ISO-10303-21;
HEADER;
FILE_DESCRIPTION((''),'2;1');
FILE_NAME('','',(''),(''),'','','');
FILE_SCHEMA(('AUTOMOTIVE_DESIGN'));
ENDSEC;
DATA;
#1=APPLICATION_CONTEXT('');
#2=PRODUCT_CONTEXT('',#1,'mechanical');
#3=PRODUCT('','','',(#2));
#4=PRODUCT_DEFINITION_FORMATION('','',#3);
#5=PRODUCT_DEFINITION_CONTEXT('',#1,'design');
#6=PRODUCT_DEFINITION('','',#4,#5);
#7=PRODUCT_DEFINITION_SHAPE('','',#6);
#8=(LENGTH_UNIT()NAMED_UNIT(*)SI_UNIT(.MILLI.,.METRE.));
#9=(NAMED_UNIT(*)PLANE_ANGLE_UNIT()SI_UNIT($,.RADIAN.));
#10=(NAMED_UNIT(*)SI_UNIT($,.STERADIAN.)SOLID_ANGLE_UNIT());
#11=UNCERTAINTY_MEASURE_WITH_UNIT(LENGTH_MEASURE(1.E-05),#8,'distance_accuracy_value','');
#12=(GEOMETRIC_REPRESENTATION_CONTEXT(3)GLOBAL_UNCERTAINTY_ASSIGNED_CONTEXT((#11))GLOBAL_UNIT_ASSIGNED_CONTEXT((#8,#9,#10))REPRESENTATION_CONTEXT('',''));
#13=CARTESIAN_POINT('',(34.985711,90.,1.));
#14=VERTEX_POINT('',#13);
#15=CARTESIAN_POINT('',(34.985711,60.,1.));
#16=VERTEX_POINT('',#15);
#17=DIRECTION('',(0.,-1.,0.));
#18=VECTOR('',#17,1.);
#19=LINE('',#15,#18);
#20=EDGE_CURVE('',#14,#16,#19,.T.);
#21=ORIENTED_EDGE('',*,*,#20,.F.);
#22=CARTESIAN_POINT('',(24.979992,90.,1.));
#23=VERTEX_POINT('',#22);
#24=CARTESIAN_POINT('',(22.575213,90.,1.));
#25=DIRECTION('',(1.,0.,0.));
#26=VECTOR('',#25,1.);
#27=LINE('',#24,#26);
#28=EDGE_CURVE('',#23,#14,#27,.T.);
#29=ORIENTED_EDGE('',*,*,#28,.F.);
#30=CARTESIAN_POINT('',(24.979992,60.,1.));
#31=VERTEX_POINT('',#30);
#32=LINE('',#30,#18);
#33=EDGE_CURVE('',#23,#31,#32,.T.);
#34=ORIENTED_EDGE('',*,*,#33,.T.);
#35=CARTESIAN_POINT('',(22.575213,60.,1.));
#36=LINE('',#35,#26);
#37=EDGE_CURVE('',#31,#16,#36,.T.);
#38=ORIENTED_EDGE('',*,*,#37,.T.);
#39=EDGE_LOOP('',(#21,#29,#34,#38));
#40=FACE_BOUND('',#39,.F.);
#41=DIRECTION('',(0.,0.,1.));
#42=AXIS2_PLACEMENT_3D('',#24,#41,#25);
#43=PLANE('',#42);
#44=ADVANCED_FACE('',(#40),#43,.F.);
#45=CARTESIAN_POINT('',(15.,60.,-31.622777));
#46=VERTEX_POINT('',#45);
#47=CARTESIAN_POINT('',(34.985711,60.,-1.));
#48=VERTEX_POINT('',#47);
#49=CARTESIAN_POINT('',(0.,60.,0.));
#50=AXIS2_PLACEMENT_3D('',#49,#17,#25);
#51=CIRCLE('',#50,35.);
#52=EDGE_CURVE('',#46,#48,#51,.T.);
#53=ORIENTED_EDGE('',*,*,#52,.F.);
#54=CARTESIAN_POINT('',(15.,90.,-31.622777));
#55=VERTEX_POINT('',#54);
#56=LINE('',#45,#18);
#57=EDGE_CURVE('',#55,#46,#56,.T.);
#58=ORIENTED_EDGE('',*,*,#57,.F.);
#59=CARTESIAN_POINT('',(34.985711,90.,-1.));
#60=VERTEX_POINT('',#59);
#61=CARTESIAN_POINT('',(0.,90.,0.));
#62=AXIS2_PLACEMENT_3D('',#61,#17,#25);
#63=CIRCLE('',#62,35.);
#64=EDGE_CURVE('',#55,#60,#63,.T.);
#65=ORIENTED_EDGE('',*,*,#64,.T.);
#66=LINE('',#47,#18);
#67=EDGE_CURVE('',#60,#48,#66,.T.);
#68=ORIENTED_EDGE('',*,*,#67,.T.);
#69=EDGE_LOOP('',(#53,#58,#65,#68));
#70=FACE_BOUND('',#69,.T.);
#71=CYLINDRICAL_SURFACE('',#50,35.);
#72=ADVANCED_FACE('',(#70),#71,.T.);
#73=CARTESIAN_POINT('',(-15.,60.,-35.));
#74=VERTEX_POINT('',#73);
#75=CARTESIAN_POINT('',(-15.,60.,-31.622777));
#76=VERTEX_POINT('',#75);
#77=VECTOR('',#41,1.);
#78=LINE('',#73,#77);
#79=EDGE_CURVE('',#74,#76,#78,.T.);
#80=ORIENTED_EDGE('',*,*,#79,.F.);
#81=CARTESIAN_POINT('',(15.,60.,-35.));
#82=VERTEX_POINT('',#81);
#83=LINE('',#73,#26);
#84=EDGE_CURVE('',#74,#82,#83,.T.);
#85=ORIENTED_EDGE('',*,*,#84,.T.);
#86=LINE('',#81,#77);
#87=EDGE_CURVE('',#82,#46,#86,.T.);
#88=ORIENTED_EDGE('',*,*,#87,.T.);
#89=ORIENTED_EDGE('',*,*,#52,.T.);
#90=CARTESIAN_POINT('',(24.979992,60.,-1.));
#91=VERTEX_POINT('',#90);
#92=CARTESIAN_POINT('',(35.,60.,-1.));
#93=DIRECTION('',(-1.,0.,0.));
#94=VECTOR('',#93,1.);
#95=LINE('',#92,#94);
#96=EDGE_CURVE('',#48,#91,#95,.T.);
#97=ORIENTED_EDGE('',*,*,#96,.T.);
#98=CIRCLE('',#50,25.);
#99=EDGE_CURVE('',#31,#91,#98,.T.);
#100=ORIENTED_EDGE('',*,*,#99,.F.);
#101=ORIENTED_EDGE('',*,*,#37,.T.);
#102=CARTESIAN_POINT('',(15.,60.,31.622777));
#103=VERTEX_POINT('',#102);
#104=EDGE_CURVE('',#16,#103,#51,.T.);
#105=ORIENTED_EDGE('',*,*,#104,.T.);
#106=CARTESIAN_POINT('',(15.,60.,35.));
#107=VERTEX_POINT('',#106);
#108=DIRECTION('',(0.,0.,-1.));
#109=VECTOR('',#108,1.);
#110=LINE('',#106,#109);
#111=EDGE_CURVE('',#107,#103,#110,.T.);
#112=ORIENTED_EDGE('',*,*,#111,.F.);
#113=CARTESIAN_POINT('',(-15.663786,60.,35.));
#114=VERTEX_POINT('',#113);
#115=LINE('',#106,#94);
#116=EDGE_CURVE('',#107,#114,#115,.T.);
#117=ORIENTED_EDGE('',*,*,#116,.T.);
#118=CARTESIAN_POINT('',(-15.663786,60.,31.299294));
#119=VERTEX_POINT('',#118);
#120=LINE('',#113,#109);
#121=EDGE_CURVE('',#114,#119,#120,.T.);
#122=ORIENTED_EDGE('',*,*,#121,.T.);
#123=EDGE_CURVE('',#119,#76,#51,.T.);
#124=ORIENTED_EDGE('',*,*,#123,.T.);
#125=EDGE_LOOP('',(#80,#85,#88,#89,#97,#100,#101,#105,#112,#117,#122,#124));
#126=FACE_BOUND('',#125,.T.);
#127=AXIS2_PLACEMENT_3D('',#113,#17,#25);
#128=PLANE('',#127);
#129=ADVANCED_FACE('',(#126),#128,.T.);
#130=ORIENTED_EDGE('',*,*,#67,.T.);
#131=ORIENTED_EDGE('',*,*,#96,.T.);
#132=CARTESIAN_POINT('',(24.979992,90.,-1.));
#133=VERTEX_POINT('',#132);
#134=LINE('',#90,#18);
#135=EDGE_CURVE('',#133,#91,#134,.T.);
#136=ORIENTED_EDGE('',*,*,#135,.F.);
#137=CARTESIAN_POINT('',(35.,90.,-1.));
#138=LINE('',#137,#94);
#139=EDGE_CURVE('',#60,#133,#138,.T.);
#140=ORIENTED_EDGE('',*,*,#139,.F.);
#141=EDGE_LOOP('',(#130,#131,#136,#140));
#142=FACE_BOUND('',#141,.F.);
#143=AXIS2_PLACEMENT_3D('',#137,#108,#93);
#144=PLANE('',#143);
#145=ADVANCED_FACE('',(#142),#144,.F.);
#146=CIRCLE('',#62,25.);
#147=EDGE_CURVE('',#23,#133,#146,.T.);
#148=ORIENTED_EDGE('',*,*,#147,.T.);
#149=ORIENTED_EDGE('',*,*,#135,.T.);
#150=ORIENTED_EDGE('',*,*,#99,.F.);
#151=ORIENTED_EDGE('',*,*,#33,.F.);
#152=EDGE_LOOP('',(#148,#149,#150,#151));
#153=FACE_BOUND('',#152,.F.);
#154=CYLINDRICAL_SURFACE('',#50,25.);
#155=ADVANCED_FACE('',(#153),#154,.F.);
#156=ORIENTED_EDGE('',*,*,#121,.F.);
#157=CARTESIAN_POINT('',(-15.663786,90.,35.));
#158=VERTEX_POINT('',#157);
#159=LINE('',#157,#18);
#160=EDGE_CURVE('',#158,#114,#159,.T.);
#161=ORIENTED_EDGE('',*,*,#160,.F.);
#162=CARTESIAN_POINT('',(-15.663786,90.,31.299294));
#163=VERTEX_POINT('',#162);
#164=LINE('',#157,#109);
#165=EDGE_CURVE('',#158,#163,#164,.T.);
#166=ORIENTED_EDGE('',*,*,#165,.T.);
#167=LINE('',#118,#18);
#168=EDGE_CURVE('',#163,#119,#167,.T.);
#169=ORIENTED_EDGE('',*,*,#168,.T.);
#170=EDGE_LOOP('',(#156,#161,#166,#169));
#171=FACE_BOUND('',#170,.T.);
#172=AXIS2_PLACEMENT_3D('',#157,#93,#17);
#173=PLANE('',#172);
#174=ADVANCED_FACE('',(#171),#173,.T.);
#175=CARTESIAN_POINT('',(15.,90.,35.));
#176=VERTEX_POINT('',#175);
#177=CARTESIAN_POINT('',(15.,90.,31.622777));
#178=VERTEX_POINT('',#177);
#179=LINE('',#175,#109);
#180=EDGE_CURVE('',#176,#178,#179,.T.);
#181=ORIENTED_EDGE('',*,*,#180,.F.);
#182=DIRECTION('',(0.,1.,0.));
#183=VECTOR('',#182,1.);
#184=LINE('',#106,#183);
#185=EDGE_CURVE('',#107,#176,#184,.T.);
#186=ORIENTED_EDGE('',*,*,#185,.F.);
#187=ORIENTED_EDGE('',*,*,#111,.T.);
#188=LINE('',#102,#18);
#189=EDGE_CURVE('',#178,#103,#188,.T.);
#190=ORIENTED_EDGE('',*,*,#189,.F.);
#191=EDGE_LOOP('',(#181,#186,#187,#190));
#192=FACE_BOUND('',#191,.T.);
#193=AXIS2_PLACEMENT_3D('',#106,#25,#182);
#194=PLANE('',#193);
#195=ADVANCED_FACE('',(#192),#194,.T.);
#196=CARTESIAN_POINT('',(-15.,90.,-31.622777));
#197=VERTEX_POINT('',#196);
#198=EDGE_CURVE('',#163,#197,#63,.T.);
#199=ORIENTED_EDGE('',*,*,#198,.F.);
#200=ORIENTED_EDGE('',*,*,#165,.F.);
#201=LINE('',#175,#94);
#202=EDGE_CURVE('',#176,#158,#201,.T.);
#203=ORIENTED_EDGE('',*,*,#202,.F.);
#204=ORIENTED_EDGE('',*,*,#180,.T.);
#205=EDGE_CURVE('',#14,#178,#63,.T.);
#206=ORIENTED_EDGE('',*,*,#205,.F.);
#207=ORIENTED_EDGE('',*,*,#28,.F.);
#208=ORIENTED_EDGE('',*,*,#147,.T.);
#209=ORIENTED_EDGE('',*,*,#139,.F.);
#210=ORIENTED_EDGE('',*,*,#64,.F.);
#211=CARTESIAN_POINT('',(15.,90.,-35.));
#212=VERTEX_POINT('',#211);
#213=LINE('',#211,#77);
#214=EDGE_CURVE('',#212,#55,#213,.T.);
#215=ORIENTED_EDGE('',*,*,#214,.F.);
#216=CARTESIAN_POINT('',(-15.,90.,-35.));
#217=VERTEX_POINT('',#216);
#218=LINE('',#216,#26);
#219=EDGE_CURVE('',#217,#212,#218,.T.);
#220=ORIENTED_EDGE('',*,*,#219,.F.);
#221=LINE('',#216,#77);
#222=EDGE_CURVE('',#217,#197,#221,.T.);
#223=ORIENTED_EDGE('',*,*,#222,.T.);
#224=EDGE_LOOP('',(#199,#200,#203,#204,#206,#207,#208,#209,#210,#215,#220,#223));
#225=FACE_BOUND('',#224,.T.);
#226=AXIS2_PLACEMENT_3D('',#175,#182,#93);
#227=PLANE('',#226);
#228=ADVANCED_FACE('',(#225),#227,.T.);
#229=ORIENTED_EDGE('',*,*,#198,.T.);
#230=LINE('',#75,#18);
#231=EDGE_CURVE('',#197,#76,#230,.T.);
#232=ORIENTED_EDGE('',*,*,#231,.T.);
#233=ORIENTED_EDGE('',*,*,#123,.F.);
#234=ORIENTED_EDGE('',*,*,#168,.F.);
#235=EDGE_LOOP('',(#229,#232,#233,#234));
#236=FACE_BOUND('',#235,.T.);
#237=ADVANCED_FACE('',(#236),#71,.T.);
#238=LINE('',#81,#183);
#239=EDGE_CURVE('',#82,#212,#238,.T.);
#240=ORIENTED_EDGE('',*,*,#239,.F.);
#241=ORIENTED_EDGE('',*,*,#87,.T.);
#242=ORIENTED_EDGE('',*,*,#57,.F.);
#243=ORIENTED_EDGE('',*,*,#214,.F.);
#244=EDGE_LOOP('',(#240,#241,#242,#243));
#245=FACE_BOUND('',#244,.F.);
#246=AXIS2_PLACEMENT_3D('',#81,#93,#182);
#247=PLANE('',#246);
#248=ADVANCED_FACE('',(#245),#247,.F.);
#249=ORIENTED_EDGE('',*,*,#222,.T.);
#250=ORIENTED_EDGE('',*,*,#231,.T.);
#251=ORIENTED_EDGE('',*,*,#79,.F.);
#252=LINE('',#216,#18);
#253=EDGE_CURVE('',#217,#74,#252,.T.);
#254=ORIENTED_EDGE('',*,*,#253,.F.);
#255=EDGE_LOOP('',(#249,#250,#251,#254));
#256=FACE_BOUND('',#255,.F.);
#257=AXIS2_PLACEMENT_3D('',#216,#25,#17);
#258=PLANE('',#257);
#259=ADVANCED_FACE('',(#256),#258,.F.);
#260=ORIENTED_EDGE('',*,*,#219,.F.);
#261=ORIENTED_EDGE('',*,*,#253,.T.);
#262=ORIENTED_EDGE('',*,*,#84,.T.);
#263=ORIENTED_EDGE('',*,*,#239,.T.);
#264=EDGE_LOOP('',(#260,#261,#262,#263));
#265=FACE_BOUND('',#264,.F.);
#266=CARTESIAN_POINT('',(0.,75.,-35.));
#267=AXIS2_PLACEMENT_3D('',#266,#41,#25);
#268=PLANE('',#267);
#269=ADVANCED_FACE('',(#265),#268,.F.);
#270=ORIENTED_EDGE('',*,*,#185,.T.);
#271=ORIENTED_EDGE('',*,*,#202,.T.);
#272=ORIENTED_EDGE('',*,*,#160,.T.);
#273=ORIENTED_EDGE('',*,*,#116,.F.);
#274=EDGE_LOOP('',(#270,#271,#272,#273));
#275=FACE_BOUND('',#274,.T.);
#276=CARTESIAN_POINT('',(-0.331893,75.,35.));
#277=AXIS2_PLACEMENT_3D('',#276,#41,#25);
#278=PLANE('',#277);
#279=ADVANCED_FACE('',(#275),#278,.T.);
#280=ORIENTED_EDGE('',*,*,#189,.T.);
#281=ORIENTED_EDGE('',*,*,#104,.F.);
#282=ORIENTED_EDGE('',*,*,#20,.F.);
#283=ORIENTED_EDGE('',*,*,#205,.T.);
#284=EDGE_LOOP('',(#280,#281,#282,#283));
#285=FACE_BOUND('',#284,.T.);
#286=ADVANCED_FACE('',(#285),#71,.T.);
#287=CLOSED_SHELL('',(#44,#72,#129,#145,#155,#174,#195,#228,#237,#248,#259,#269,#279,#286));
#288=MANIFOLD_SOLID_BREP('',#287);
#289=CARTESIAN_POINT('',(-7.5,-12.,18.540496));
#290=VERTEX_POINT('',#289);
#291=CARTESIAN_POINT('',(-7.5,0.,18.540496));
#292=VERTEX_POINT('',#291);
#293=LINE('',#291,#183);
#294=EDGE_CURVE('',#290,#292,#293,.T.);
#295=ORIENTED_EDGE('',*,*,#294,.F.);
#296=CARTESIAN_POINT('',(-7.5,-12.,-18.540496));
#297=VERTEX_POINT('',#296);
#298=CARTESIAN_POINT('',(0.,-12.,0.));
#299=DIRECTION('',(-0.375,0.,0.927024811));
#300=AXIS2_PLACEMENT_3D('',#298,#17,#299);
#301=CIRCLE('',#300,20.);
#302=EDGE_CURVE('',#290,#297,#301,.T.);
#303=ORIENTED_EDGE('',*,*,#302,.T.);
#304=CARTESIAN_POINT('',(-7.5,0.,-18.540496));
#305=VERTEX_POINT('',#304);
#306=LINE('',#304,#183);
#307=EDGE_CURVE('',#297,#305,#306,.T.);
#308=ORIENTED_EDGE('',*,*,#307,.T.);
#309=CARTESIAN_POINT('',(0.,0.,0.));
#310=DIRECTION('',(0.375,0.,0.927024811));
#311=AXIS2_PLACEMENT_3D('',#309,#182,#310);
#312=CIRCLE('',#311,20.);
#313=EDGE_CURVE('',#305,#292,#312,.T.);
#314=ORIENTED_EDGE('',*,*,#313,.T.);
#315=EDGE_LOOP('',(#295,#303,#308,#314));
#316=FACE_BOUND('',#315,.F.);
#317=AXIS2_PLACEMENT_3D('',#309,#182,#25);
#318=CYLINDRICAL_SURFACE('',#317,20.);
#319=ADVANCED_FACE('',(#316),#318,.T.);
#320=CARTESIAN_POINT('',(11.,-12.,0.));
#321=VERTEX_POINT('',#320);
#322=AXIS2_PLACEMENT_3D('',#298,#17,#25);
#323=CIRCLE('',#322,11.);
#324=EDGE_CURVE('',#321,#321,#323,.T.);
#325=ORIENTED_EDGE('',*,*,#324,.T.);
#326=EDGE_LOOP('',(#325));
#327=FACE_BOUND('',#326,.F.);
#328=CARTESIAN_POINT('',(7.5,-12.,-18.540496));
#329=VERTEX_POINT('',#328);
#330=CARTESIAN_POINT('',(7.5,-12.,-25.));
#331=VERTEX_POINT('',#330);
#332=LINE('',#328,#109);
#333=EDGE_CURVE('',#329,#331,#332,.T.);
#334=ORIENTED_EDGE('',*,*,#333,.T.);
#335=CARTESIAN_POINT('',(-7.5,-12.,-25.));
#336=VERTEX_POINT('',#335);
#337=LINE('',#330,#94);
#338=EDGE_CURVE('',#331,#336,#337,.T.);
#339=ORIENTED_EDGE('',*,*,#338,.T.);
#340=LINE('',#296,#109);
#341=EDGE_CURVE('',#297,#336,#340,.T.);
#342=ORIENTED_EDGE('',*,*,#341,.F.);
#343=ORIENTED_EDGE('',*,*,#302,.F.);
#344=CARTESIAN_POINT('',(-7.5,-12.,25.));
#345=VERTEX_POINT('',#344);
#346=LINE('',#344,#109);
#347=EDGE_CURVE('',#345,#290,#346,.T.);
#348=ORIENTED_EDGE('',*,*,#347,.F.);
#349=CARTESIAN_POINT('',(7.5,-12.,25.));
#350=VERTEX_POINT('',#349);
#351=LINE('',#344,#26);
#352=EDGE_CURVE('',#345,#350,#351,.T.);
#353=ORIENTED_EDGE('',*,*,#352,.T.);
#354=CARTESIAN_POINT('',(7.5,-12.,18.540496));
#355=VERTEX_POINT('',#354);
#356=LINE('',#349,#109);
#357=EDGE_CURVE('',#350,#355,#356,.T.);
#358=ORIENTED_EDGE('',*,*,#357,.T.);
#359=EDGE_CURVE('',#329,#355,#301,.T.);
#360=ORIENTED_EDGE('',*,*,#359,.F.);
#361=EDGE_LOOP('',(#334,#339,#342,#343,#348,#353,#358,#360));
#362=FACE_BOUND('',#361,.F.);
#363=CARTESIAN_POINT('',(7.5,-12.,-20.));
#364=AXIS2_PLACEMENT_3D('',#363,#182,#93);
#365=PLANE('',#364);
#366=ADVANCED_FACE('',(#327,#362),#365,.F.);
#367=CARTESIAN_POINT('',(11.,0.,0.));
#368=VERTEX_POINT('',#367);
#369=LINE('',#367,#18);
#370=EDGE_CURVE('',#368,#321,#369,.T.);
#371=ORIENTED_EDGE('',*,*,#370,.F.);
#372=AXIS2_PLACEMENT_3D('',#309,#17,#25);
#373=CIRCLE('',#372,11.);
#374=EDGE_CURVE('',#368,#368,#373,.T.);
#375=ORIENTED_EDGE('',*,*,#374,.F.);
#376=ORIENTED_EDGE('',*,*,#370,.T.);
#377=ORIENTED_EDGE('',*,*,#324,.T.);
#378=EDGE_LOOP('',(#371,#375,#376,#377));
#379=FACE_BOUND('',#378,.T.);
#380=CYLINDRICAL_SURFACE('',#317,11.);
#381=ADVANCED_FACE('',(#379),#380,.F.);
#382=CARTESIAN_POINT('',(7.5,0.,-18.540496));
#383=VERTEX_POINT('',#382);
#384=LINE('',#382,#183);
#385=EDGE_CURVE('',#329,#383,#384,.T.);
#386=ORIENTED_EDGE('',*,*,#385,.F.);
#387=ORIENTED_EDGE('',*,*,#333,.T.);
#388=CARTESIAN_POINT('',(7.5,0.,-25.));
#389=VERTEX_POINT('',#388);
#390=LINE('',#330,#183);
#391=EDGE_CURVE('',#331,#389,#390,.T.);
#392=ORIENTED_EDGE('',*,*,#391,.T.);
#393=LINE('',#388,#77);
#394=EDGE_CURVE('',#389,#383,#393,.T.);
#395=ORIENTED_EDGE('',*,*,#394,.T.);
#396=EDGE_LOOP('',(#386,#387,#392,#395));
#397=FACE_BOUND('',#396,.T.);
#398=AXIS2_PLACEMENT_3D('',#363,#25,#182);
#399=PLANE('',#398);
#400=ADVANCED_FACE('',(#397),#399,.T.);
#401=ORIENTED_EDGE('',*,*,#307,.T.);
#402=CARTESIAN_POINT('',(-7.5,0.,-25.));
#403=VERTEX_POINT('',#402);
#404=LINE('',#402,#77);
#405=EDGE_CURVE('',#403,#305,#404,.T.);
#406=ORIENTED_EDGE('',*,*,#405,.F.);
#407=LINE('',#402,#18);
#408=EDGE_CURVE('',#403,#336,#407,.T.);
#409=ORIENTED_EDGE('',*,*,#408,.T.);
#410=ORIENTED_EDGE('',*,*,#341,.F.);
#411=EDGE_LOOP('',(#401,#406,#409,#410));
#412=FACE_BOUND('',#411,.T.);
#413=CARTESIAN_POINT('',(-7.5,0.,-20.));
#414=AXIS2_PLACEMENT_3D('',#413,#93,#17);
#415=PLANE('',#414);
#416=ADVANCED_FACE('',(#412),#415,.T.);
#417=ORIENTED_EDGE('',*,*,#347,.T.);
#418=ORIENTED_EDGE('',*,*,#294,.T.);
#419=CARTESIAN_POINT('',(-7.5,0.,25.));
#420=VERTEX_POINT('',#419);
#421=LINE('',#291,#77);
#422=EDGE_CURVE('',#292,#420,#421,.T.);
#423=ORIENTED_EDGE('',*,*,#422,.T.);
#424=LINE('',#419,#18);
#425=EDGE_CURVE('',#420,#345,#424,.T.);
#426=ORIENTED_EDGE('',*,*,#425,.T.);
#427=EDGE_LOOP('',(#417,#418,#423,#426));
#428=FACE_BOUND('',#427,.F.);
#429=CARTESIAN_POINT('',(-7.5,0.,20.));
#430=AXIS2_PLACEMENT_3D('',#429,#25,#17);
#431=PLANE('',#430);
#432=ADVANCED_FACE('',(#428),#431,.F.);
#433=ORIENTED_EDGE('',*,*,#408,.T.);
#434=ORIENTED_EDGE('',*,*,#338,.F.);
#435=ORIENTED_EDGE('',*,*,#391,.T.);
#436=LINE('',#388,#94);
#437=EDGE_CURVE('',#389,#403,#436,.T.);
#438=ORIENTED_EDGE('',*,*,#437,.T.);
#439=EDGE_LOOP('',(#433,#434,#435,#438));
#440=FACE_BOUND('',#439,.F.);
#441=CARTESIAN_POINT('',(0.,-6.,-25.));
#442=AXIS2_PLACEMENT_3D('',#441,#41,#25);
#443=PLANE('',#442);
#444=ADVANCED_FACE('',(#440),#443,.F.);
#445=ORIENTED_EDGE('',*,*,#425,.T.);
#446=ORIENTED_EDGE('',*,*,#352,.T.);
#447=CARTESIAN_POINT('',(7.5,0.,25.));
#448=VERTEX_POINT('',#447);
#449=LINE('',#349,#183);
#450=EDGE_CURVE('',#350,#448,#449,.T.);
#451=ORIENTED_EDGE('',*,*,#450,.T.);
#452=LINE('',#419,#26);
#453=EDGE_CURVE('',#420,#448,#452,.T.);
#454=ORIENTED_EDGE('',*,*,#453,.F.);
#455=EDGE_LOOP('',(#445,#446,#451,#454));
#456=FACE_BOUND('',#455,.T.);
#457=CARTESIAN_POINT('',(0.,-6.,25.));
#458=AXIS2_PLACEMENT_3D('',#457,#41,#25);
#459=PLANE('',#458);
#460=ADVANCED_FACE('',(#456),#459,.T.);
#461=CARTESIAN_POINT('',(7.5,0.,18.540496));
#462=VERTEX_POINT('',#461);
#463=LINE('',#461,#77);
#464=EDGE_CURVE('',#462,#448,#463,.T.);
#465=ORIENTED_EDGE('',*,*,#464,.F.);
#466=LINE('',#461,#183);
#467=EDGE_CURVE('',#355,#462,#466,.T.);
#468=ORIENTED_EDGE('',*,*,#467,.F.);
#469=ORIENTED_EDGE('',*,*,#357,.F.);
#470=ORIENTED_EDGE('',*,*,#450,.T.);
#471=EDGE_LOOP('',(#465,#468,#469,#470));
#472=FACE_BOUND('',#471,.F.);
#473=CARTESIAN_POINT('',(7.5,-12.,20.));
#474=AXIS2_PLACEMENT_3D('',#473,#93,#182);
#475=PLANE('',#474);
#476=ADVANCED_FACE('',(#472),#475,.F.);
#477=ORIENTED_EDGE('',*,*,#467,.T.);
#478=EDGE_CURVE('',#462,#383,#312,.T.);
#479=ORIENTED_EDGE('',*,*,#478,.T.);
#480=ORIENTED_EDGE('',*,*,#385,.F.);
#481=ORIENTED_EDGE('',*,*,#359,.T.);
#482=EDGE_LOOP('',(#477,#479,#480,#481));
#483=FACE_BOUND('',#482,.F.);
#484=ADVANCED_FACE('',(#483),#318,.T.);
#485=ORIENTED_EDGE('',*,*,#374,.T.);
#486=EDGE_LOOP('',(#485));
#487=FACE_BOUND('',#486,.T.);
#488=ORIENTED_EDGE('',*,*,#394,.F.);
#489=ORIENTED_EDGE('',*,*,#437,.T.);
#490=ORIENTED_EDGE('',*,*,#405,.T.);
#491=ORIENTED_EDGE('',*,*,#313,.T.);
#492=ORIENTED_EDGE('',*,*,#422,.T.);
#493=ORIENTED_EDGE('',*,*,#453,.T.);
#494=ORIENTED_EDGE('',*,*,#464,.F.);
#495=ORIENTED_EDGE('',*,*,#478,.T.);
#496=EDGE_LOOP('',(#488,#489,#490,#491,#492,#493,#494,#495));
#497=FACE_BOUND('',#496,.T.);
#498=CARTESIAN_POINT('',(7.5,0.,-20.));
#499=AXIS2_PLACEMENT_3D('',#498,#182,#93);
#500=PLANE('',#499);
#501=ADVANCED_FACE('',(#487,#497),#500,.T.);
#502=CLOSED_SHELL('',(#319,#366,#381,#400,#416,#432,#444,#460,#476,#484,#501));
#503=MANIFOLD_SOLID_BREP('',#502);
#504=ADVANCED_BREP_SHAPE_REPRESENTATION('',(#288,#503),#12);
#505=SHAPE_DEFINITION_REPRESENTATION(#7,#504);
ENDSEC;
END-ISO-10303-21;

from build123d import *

# Parameters (mm, degrees)
F0_R      = 20
F0_R_2    = 11
F1_DEPTH  = 12
F3_R      = 35
F3_R_2    = 25
F4_DEPTH  = 30
F6_DEPTH  = 30
F10_DEPTH = 3
F11_DEPTH = 5
F13_DEPTH = 3
F14_DEPTH = 5
F18_DEPTH = 5
F20_DEPTH = 5


with BuildPart() as f1:
    # F0 (on Front) → F1 (new body)
    with BuildSketch(Plane.XZ):
        Circle(F0_R)
        Circle(F0_R_2, mode=Mode.SUBTRACT)
    extrude(amount=F1_DEPTH)

    # F9 (on offset) → F10 (join)
    with BuildSketch(Plane.XY.offset(20)):
        Polygon((7.5, 0), (0, 0), (-7.5, 0), (-7.5, -12), (0, -12), (7.5, -12), align=None)
    extrude(amount=-F10_DEPTH)

    # F11 (add): a face of the model
    f11_faces = [f1.faces().sort_by_distance(p)[0] for p in [
        (0, -6, 20),
    ]]
    extrude(f11_faces, amount=F11_DEPTH)

    # F12 (on offset) → F13 (join)
    with BuildSketch(Plane.XY.offset(-20)):
        Polygon((7.5, 0), (0, 0), (-7.5, 0), (-7.5, -12), (0, -12), (7.5, -12), align=None)
    extrude(amount=F13_DEPTH)

    # F14 (add): a face of the model
    f14_faces = [f1.faces().sort_by_distance(p)[0] for p in [
        (0, -6, -20),
    ]]
    extrude(f14_faces, amount=F14_DEPTH)


with BuildPart() as f4:
    # F3 (on offset) → F4 (new body)
    with BuildSketch(Plane.XZ.offset(-60)):
        Circle(F3_R)
        Circle(F3_R_2, mode=Mode.SUBTRACT)
    extrude(amount=-F4_DEPTH)

    # F5 (on face) → F6 (cut)
    with BuildSketch(Plane(origin=(0, 90, 0), x_dir=(-1, 0, 0), z_dir=(0, 1, 0))):
        with BuildLine():
            ThreePointArc((-34.9857113691, -1), (-34.99642766, -0.5000510386), (-35, 0))
            Line((-35, 0), (-35, -1))
            Line((-35, -1), (-34.9857113691, -1))
        make_face()
        with BuildLine():
            Line((-35, 1), (-35, 0))
            ThreePointArc((-35, 0), (-34.99642766, 0.5000510386), (-34.9857113691, 1))
            Line((-34.9857113691, 1), (-35, 1))
        make_face()
        with BuildLine():
            Line((-22.5752126426, 1), (-24.9799919936, 1))
            ThreePointArc((-24.9799919936, 1), (-25, 0), (-24.9799919936, -1))
            Line((-24.9799919936, -1), (-22.5752126426, -1))
            Line((-22.5752126426, -1), (-22.5752126426, 1))
        make_face()
        with BuildLine():
            ThreePointArc((-34.9857113691, 1), (-34.99642766, 0.5000510386), (-35, 0))
            ThreePointArc((-35, 0), (-34.99642766, -0.5000510386), (-34.9857113691, -1))
            Line((-34.9857113691, -1), (-24.9799919936, -1))
            ThreePointArc((-24.9799919936, -1), (-25, 0), (-24.9799919936, 1))
            Line((-24.9799919936, 1), (-34.9857113691, 1))
        make_face()
    extrude(amount=-F6_DEPTH, mode=Mode.SUBTRACT)

    # F17 (on offset) → F18 (join)
    with BuildSketch(Plane.XY.offset(-35)):
        Polygon((-15, 60), (0, 60), (15, 60), (15, 90), (0, 90), (-15, 90), align=None)
    extrude(amount=F18_DEPTH)

    # F19 (on offset) → F20 (join)
    with BuildSketch(Plane.XY.offset(35)):
        Polygon((-15.6637862306, 60), (0, 60), (15, 60), (15, 90), (0, 90), (-15.6637862306, 90), align=None)
    extrude(amount=-F20_DEPTH)


solid = Compound([f1.part, f4.part])
